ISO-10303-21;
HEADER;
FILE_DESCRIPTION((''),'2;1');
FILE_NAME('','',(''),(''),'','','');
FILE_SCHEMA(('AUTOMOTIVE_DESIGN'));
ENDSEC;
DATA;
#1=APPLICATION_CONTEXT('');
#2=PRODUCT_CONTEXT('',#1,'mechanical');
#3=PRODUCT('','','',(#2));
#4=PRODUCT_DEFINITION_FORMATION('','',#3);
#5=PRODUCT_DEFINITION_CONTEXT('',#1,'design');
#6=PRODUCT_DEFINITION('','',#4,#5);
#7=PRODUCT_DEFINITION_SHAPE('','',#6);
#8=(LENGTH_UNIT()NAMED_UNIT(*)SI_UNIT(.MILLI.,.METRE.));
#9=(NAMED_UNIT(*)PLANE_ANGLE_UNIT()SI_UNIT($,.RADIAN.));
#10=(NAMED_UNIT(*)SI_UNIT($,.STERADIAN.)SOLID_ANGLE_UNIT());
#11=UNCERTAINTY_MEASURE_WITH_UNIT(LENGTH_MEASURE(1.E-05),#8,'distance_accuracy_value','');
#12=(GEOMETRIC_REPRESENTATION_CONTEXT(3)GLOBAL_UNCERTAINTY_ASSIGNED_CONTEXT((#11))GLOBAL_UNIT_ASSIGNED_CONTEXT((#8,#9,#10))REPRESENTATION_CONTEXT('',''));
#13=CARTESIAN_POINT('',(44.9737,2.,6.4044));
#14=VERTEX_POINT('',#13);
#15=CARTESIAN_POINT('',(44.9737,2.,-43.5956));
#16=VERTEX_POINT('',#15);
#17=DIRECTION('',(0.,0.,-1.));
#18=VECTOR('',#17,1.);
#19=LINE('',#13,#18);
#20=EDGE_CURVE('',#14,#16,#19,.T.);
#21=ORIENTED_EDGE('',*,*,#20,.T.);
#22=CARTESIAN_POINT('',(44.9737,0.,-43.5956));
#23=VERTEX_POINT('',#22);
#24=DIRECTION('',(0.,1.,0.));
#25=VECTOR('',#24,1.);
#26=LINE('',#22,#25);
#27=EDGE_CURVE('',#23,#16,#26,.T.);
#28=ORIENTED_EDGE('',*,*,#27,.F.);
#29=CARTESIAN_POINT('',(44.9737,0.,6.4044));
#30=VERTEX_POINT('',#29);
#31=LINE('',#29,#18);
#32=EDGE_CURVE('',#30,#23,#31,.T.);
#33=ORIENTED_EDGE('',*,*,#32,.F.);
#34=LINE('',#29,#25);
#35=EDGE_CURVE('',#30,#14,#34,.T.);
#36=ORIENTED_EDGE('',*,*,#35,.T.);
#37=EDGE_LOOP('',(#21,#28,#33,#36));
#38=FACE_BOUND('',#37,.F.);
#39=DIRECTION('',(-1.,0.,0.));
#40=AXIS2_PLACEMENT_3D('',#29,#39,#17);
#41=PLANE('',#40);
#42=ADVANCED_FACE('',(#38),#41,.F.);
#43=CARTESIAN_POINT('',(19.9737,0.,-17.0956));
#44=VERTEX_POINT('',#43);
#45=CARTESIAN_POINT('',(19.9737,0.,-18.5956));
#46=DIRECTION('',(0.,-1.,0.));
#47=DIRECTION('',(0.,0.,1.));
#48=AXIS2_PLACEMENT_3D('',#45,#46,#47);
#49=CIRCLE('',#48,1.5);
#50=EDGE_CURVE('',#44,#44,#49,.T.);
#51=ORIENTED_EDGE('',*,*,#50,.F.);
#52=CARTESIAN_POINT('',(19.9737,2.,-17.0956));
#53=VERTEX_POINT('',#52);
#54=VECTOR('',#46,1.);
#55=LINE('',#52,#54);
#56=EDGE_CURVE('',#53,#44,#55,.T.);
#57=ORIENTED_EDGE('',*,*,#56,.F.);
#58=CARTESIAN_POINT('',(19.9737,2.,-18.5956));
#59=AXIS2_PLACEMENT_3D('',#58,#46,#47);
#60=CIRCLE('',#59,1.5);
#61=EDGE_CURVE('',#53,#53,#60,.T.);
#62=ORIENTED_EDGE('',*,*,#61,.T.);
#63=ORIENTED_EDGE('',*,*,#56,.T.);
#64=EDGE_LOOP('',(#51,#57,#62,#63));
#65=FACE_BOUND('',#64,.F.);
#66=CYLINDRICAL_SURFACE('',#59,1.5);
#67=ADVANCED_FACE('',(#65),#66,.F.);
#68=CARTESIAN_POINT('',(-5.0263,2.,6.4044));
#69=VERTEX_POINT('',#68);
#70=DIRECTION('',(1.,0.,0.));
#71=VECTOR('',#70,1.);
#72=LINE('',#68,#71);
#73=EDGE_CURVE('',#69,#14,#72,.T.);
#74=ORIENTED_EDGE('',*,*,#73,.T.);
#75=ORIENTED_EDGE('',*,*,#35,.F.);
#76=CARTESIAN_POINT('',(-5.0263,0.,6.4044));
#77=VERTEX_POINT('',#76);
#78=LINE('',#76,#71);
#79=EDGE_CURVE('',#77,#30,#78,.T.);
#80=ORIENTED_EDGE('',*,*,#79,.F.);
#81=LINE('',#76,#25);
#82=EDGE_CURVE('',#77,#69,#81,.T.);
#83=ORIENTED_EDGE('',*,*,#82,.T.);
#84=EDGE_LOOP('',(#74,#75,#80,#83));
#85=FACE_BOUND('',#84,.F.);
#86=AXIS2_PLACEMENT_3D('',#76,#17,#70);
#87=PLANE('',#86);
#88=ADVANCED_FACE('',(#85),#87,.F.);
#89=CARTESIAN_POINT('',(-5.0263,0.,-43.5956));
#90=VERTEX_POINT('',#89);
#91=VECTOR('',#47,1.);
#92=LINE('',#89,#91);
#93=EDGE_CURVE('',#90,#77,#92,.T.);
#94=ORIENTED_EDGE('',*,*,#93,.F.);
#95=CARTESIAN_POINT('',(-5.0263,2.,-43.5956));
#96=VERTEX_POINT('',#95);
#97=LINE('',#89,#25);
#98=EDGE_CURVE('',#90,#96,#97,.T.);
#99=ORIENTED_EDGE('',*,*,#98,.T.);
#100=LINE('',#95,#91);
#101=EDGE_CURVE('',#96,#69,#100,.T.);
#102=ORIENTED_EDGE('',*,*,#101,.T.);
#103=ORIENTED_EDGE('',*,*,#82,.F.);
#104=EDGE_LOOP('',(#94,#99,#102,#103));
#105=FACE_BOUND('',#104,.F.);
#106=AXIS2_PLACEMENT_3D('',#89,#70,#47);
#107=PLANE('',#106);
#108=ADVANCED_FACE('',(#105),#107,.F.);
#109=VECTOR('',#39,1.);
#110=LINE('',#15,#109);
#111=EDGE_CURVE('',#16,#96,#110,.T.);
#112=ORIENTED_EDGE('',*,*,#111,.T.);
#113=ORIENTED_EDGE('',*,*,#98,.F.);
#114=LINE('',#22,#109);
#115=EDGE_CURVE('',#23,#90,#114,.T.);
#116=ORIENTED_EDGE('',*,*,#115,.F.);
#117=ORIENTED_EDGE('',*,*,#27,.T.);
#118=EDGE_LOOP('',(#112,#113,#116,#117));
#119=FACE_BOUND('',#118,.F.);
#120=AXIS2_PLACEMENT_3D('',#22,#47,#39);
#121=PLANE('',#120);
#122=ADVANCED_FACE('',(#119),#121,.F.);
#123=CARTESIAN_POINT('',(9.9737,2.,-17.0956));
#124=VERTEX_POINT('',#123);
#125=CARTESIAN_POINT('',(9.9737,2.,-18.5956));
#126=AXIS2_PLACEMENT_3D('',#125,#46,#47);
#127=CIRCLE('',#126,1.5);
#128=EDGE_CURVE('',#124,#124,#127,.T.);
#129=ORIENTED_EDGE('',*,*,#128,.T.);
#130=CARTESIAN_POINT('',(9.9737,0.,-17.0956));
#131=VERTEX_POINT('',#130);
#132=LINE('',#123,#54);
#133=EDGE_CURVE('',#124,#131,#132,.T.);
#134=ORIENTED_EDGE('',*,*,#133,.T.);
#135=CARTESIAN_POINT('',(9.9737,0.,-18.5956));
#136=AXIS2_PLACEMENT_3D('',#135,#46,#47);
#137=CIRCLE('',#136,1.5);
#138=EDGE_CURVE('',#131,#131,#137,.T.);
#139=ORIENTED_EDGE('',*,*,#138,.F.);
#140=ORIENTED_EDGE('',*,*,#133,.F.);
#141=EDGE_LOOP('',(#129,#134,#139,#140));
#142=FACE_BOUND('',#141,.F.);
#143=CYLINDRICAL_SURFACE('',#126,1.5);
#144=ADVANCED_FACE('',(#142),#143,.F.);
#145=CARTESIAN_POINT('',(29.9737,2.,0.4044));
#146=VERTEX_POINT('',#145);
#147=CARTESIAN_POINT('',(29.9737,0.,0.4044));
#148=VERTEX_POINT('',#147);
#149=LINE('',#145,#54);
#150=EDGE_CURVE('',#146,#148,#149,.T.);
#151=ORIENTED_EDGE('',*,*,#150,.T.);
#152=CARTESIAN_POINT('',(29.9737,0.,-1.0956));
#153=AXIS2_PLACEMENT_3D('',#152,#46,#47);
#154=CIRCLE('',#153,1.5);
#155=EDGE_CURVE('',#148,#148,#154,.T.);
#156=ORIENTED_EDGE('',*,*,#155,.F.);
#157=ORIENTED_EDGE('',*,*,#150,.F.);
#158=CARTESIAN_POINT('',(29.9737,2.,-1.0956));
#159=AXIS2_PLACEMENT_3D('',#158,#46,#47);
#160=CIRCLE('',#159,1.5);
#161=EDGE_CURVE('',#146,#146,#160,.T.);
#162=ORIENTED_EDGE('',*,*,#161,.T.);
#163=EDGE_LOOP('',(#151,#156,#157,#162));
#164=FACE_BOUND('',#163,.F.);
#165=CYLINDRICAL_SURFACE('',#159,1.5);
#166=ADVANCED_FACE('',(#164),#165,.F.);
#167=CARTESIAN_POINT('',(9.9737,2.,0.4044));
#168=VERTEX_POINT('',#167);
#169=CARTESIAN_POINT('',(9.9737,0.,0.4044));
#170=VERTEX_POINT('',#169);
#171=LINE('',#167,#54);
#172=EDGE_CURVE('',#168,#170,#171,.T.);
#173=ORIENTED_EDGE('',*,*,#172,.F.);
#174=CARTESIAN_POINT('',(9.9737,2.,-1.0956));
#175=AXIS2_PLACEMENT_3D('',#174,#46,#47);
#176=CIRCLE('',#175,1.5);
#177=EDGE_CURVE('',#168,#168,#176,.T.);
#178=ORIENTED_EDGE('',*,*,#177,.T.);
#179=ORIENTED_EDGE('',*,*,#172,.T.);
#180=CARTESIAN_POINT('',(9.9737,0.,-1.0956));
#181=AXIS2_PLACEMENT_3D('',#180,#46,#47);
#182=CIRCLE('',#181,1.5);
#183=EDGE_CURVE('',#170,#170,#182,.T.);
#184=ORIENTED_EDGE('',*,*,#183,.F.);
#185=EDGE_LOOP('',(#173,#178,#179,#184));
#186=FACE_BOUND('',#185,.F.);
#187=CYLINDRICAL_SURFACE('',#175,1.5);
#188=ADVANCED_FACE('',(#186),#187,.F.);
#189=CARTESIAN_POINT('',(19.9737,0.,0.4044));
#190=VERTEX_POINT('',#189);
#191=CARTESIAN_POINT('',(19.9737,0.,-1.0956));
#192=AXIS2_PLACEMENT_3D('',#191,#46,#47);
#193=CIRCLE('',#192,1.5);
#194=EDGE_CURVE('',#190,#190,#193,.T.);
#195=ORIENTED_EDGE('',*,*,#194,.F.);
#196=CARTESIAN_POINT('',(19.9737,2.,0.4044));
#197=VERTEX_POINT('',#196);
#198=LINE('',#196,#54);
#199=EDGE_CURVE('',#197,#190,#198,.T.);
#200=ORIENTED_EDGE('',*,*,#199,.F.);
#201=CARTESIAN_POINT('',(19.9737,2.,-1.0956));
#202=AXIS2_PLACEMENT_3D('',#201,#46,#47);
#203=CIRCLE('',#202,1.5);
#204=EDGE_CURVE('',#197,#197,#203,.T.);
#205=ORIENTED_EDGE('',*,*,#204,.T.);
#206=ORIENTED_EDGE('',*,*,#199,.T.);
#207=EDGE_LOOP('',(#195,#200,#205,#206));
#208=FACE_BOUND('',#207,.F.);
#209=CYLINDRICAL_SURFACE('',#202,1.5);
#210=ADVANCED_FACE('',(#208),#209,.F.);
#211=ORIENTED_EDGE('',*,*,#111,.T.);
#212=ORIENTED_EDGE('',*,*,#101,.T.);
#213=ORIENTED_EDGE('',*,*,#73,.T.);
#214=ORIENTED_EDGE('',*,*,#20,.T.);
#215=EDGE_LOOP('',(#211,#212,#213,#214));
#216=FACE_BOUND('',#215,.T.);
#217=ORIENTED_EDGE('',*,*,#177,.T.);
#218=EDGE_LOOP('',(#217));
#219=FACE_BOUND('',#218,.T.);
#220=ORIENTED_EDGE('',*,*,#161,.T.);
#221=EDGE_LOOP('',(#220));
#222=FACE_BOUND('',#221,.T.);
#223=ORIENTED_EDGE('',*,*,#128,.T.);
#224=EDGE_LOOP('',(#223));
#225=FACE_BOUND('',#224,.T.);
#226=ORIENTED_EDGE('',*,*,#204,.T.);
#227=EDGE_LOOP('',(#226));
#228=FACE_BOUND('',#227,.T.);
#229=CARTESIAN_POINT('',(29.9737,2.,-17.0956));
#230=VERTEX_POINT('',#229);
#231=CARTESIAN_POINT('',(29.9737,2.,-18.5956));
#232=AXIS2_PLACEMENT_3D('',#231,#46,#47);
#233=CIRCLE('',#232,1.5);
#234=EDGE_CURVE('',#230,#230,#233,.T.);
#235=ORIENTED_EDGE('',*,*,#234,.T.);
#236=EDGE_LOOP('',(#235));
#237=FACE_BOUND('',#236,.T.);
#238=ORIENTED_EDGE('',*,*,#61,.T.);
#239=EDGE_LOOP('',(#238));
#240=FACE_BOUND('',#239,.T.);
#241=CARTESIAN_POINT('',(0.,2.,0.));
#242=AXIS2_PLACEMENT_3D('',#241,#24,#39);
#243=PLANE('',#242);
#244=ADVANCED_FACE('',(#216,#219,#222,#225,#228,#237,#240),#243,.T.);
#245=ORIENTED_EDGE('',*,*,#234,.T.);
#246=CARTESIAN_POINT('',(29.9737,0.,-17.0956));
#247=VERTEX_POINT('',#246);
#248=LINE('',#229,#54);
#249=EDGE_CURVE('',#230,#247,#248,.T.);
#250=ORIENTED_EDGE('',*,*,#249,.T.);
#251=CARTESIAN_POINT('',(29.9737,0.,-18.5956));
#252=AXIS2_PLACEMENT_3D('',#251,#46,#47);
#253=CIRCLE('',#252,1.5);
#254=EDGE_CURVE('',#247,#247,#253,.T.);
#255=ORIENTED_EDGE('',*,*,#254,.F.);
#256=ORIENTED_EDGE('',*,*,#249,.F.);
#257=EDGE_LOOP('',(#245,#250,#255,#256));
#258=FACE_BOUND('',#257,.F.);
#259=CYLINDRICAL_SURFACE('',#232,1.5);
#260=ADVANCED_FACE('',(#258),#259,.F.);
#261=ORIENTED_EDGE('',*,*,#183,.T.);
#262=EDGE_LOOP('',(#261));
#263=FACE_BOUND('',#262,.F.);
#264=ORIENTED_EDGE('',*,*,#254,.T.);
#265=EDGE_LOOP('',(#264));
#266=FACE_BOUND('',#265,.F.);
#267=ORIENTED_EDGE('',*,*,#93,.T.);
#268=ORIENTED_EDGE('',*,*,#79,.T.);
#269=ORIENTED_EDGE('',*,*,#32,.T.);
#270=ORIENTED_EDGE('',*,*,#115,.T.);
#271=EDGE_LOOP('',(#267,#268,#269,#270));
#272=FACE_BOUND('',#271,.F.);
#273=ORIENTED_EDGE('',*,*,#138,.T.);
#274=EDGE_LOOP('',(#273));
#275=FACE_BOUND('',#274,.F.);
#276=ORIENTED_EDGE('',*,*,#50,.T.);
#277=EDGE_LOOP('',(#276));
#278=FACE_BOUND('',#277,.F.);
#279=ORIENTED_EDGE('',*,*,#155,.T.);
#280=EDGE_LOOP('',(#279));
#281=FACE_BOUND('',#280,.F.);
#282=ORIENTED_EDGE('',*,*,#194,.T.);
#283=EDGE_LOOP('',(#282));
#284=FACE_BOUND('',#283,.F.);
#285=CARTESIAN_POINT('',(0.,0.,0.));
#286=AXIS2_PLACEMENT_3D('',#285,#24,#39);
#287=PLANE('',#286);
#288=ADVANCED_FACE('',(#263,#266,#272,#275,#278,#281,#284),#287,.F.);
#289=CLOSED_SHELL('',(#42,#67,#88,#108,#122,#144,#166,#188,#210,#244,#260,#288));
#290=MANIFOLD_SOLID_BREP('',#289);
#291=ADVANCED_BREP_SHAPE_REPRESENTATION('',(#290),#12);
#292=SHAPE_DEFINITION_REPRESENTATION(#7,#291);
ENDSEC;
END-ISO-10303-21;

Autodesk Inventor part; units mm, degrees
ref_plane "YZ Plane" through (0, 0, 0) normal (1, 0, 0) x (0, 1, 0)
ref_plane "XZ Plane" through (0, 0, 0) normal (0, 1, 0) x (-1, 0, 0)
ref_plane "XY Plane" through (0, 0, 0) normal (0, 0, 1) x (1, 0, 0)
sketch "スケッチ1" plane through (0, 0, 0) normal (0, 1, 0) x (-1, 0, 0)
  line L0 (5.0263, 6.4044) -> (-44.9737, 6.4044)
  line L1 (-44.9737, 6.4044) -> (-44.9737, -43.5956)
  line L2 (-44.9737, -43.5956) -> (5.0263, -43.5956)
  line L3 (5.0263, -43.5956) -> (5.0263, 6.4044)
  point P0 (0, 0)
  dimension "d0" = 50
  dimension "d1" = 50
extrude "押し出し1" add sketch "スケッチ1" along normal blind 2
sketch "スケッチ2" plane through (0, 2, 0) normal (0, 1, 0) x (1, 0, 0)
  circle A0 centre (19.9737, 1.0956) radius 1.5
  line L0 (-5.0263, -6.4044) -> (44.9737, -6.4044) projected
  line L1 (-5.0263, 43.5956) -> (-5.0263, -6.4044) projected
  circle A1 centre (9.9737, 1.0956) radius 1.5
  circle A2 centre (29.9737, 1.0956) radius 1.5
  circle A3 centre (9.9737, 18.5956) radius 1.5
  circle A4 centre (19.9737, 18.5956) radius 1.5
  circle A5 centre (29.9737, 18.5956) radius 1.5
  point P0 (0, 0)
  dimension "d4" = 3
  dimension "d5" = 7.5
  dimension "d6" = 25
  dimension "d7" = 3
  dimension "d8" = 3
  dimension "d9" = 10
  dimension "d10" = 10
  dimension "d11" = 3
  dimension "d12" = 17.5
  dimension "d13" = 3
  dimension "d14" = 3
  dimension "d15" = 10
  dimension "d16" = 10
  dimension "d17" = 17.5
hole "穴1" at (9.9737, 2, -1.0956) at (19.9737, 2, -1.0956) at (29.9737, 2, -1.0956) at (9.9737, 2, -18.5956) at (19.9737, 2, -18.5956) at (29.9737, 2, -18.5956) direction (0, -1, 0) diameter 3 depth 2
equation "\"BendRadius\" = Thickness"
equation "\"BendReliefWidth\" = Thickness"
equation "\"BendReliefDepth\" = 0.5 * Thickness"
equation "\"CornerReliefSize\" = 4 * Thickness"
equation "\"MinimumRemnant\" = 2 * Thickness"
equation "\"TransitionRadius\" = BendRadius"
equation "\"JacobiRadiusSize\" = BendRadius"
equation "\"GapSize\" = Thickness"
equation "\"Thickness\" = 0.5"
properties part number "nhk20" material "アルミニウム 6061"
